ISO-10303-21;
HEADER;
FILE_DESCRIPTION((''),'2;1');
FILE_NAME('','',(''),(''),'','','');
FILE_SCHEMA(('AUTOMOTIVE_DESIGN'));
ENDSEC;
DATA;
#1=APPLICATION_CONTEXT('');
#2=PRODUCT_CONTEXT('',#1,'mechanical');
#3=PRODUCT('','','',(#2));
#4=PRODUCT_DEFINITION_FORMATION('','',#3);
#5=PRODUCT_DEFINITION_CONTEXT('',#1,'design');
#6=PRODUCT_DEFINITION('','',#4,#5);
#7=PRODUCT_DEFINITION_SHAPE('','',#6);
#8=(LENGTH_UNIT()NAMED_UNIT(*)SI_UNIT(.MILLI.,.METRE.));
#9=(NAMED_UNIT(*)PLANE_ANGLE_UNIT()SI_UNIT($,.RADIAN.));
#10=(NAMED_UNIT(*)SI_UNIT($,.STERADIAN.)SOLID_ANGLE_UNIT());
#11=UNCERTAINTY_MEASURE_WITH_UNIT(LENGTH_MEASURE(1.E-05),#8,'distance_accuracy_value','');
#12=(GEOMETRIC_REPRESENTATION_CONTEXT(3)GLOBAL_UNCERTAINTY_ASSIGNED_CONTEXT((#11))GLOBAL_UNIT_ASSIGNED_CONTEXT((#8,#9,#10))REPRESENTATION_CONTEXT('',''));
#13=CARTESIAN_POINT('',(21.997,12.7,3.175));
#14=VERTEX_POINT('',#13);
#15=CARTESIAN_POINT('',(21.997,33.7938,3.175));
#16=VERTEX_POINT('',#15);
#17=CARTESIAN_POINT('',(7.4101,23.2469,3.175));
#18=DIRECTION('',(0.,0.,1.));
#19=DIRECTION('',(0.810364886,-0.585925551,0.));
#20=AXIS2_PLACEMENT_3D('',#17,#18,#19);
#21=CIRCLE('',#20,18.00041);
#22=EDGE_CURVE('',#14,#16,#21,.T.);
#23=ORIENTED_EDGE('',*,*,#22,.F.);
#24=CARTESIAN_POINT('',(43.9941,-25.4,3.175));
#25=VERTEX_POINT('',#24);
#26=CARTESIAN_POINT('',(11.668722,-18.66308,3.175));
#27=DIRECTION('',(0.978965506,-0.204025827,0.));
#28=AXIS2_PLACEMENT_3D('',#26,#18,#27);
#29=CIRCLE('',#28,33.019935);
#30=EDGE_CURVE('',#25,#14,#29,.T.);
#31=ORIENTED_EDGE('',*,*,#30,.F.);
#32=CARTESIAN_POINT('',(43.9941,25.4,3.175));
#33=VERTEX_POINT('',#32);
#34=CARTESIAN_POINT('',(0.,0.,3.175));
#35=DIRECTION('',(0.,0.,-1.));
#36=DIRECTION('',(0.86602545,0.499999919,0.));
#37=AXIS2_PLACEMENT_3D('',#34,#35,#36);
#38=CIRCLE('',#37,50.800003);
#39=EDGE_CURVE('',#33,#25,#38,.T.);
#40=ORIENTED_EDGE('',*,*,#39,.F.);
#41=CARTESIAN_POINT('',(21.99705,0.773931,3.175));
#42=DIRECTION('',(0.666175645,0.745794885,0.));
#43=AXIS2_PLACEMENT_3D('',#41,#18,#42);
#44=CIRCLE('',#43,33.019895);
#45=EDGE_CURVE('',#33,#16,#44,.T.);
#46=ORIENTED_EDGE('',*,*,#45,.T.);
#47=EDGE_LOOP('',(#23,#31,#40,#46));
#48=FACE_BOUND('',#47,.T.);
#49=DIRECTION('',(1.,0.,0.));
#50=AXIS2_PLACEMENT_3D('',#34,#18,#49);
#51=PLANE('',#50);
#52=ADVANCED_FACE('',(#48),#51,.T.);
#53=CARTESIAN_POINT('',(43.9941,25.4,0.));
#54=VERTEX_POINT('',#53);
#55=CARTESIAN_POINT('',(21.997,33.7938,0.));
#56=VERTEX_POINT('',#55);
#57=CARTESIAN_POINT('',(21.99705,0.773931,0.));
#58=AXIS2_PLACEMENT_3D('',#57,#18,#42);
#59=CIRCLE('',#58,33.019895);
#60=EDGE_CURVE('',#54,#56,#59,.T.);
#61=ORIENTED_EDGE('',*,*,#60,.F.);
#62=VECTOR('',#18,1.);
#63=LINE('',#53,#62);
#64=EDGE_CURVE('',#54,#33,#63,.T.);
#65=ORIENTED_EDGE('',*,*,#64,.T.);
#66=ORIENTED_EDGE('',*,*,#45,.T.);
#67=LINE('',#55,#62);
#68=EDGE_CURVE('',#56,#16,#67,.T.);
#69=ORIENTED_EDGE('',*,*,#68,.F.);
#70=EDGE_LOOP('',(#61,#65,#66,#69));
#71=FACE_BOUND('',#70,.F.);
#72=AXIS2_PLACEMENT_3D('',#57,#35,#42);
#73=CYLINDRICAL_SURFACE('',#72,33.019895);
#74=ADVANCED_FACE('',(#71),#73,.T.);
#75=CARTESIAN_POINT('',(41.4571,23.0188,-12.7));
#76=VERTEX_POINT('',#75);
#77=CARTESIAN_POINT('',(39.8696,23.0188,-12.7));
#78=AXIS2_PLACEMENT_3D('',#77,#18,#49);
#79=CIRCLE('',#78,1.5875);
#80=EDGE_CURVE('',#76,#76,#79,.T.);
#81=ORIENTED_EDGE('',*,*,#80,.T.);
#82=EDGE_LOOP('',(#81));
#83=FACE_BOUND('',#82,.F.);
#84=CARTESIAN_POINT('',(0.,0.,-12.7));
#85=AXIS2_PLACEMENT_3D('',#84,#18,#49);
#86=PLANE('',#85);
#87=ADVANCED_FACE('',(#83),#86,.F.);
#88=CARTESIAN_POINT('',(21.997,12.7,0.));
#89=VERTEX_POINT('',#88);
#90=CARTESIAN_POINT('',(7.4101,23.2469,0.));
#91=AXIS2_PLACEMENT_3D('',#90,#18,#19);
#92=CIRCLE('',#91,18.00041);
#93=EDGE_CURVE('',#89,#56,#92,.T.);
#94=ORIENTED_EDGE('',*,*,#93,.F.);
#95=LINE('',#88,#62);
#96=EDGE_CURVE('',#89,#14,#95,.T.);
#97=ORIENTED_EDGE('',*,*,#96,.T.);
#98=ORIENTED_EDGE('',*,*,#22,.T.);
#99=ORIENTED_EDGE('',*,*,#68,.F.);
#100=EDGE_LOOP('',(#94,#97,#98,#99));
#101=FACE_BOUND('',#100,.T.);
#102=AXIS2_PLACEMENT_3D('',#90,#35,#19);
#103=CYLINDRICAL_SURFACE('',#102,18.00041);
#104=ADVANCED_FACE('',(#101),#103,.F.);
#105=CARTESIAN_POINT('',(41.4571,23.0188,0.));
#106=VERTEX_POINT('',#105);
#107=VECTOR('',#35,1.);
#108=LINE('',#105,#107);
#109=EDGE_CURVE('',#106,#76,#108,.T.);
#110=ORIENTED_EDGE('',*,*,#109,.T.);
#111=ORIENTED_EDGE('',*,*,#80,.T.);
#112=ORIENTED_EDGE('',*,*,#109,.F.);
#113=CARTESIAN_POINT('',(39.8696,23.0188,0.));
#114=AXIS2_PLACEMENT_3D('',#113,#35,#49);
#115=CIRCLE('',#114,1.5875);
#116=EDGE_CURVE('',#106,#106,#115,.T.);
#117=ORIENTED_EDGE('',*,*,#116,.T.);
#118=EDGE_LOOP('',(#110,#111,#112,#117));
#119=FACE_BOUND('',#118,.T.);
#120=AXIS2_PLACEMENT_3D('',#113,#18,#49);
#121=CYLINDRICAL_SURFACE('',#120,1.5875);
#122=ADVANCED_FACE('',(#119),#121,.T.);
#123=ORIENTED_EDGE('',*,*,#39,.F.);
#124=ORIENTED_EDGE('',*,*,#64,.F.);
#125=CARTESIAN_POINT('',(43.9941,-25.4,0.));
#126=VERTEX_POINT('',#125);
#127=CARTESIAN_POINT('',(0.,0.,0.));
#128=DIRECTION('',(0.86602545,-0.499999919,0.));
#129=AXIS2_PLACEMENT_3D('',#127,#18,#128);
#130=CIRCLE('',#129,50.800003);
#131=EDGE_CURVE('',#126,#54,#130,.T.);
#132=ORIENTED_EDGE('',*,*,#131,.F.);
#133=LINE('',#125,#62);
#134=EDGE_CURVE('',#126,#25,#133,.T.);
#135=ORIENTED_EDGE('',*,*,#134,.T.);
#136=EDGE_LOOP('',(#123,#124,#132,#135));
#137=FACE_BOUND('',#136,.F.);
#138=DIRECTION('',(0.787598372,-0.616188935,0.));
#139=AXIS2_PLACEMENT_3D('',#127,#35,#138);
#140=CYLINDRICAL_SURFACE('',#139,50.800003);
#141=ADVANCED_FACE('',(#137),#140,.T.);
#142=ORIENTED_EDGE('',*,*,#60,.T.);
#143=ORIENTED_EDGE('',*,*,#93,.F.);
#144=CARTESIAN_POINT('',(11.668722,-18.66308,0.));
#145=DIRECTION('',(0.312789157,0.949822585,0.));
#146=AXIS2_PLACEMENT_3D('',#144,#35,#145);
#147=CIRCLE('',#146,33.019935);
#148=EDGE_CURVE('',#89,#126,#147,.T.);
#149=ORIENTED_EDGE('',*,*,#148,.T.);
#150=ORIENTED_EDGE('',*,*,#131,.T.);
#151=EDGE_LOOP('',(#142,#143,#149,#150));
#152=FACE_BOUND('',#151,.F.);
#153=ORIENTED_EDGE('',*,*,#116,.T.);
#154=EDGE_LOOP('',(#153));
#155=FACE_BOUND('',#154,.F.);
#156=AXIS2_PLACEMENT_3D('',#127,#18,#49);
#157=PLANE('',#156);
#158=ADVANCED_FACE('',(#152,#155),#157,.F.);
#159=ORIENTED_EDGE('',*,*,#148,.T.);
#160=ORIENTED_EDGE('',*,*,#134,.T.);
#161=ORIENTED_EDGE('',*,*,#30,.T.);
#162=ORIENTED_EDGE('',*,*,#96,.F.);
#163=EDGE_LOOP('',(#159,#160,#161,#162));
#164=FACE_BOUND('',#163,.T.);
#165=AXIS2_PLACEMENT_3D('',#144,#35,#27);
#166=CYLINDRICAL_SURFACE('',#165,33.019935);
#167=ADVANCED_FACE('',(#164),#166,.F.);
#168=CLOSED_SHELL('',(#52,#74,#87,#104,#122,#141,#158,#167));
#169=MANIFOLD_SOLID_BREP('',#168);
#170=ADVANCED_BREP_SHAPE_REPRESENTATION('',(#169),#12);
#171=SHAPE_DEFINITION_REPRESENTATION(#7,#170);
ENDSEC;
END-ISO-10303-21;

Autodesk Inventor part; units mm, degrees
ref_plane "YZ Plane" through (0, 0, 0) normal (1, 0, 0) x (0, 1, 0)
ref_plane "XZ Plane" through (0, 0, 0) normal (0, 1, 0) x (-1, 0, 0)
ref_plane "XY Plane" through (0, 0, 0) normal (0, 0, 1) x (1, 0, 0)
sketch "Sketch2" plane through (0, 0, 0) normal (0, 0, 1) x (1, 0, 0)
  arc A0 (40.01, -31.3024) -> (31.3024, 40.01) centre (0, 0) ccw
  circle A1 centre (0, 0) radius 50.8
  circle A2 centre (0, 0) radius 25.4
  line L0 (0, 0) -> (43.9941, 25.4)
  line L1 (0, 0) -> (50.8, 0)
  line L2 (0, 0) -> (43.9941, -25.4)
  arc A3 (43.9941, -25.4) -> (21.997, 12.7) centre (11.6686, -18.6631) ccw
  line L3 (0, 0) -> (0, 50.8)
  arc A4 (43.9941, 25.4) -> (0, 25.4) centre (21.997, 0.7738) ccw
  arc A5 (43.9941, 25.4) -> (21.997, 33.7938) centre (21.997, 0.7738) ccw
  arc A6 (21.997, 12.7) -> (21.997, 33.7938) centre (7.4101, 23.2469) ccw
  line L4 (43.9941, 25.4) -> (41.2445, 23.8125)
  line L5 (41.2445, 23.8125) -> (38.4948, 22.225)
  circle A7 centre (39.8696, 23.0188) radius 1.5875
  line L6 (0, 0) -> (-43.9941, 25.4)
  arc A8 (0, 50.8) -> (-21.997, 12.7) centre (10.3284, 19.4369) ccw
  dimension "d97" = 50.8
  dimension "d102" = 50.8
  dimension "d121" = 30
  dimension "d122" = 60
  dimension "d123" = 33.02
  dimension "d127" = 33.02
  dimension "d130" = 3.175
  dimension "d131" = 3.175
  dimension "d134" = 60
  dimension "d135" = 33.02
extrude "Extrusion8" add sketch "Sketch2" along normal blind 3.175 contours A3 L1 A0 | L1 A3 L0 A7 A0 | L0 A7 A6 A4 | A7 L0 | L0 A7
extrude "Extrusion9" add sketch "Sketch2" against normal blind 12.7 contours A7 L0 | L0 A7
equation "\"d135\" = d123"
properties part number "iris bottom chip"
